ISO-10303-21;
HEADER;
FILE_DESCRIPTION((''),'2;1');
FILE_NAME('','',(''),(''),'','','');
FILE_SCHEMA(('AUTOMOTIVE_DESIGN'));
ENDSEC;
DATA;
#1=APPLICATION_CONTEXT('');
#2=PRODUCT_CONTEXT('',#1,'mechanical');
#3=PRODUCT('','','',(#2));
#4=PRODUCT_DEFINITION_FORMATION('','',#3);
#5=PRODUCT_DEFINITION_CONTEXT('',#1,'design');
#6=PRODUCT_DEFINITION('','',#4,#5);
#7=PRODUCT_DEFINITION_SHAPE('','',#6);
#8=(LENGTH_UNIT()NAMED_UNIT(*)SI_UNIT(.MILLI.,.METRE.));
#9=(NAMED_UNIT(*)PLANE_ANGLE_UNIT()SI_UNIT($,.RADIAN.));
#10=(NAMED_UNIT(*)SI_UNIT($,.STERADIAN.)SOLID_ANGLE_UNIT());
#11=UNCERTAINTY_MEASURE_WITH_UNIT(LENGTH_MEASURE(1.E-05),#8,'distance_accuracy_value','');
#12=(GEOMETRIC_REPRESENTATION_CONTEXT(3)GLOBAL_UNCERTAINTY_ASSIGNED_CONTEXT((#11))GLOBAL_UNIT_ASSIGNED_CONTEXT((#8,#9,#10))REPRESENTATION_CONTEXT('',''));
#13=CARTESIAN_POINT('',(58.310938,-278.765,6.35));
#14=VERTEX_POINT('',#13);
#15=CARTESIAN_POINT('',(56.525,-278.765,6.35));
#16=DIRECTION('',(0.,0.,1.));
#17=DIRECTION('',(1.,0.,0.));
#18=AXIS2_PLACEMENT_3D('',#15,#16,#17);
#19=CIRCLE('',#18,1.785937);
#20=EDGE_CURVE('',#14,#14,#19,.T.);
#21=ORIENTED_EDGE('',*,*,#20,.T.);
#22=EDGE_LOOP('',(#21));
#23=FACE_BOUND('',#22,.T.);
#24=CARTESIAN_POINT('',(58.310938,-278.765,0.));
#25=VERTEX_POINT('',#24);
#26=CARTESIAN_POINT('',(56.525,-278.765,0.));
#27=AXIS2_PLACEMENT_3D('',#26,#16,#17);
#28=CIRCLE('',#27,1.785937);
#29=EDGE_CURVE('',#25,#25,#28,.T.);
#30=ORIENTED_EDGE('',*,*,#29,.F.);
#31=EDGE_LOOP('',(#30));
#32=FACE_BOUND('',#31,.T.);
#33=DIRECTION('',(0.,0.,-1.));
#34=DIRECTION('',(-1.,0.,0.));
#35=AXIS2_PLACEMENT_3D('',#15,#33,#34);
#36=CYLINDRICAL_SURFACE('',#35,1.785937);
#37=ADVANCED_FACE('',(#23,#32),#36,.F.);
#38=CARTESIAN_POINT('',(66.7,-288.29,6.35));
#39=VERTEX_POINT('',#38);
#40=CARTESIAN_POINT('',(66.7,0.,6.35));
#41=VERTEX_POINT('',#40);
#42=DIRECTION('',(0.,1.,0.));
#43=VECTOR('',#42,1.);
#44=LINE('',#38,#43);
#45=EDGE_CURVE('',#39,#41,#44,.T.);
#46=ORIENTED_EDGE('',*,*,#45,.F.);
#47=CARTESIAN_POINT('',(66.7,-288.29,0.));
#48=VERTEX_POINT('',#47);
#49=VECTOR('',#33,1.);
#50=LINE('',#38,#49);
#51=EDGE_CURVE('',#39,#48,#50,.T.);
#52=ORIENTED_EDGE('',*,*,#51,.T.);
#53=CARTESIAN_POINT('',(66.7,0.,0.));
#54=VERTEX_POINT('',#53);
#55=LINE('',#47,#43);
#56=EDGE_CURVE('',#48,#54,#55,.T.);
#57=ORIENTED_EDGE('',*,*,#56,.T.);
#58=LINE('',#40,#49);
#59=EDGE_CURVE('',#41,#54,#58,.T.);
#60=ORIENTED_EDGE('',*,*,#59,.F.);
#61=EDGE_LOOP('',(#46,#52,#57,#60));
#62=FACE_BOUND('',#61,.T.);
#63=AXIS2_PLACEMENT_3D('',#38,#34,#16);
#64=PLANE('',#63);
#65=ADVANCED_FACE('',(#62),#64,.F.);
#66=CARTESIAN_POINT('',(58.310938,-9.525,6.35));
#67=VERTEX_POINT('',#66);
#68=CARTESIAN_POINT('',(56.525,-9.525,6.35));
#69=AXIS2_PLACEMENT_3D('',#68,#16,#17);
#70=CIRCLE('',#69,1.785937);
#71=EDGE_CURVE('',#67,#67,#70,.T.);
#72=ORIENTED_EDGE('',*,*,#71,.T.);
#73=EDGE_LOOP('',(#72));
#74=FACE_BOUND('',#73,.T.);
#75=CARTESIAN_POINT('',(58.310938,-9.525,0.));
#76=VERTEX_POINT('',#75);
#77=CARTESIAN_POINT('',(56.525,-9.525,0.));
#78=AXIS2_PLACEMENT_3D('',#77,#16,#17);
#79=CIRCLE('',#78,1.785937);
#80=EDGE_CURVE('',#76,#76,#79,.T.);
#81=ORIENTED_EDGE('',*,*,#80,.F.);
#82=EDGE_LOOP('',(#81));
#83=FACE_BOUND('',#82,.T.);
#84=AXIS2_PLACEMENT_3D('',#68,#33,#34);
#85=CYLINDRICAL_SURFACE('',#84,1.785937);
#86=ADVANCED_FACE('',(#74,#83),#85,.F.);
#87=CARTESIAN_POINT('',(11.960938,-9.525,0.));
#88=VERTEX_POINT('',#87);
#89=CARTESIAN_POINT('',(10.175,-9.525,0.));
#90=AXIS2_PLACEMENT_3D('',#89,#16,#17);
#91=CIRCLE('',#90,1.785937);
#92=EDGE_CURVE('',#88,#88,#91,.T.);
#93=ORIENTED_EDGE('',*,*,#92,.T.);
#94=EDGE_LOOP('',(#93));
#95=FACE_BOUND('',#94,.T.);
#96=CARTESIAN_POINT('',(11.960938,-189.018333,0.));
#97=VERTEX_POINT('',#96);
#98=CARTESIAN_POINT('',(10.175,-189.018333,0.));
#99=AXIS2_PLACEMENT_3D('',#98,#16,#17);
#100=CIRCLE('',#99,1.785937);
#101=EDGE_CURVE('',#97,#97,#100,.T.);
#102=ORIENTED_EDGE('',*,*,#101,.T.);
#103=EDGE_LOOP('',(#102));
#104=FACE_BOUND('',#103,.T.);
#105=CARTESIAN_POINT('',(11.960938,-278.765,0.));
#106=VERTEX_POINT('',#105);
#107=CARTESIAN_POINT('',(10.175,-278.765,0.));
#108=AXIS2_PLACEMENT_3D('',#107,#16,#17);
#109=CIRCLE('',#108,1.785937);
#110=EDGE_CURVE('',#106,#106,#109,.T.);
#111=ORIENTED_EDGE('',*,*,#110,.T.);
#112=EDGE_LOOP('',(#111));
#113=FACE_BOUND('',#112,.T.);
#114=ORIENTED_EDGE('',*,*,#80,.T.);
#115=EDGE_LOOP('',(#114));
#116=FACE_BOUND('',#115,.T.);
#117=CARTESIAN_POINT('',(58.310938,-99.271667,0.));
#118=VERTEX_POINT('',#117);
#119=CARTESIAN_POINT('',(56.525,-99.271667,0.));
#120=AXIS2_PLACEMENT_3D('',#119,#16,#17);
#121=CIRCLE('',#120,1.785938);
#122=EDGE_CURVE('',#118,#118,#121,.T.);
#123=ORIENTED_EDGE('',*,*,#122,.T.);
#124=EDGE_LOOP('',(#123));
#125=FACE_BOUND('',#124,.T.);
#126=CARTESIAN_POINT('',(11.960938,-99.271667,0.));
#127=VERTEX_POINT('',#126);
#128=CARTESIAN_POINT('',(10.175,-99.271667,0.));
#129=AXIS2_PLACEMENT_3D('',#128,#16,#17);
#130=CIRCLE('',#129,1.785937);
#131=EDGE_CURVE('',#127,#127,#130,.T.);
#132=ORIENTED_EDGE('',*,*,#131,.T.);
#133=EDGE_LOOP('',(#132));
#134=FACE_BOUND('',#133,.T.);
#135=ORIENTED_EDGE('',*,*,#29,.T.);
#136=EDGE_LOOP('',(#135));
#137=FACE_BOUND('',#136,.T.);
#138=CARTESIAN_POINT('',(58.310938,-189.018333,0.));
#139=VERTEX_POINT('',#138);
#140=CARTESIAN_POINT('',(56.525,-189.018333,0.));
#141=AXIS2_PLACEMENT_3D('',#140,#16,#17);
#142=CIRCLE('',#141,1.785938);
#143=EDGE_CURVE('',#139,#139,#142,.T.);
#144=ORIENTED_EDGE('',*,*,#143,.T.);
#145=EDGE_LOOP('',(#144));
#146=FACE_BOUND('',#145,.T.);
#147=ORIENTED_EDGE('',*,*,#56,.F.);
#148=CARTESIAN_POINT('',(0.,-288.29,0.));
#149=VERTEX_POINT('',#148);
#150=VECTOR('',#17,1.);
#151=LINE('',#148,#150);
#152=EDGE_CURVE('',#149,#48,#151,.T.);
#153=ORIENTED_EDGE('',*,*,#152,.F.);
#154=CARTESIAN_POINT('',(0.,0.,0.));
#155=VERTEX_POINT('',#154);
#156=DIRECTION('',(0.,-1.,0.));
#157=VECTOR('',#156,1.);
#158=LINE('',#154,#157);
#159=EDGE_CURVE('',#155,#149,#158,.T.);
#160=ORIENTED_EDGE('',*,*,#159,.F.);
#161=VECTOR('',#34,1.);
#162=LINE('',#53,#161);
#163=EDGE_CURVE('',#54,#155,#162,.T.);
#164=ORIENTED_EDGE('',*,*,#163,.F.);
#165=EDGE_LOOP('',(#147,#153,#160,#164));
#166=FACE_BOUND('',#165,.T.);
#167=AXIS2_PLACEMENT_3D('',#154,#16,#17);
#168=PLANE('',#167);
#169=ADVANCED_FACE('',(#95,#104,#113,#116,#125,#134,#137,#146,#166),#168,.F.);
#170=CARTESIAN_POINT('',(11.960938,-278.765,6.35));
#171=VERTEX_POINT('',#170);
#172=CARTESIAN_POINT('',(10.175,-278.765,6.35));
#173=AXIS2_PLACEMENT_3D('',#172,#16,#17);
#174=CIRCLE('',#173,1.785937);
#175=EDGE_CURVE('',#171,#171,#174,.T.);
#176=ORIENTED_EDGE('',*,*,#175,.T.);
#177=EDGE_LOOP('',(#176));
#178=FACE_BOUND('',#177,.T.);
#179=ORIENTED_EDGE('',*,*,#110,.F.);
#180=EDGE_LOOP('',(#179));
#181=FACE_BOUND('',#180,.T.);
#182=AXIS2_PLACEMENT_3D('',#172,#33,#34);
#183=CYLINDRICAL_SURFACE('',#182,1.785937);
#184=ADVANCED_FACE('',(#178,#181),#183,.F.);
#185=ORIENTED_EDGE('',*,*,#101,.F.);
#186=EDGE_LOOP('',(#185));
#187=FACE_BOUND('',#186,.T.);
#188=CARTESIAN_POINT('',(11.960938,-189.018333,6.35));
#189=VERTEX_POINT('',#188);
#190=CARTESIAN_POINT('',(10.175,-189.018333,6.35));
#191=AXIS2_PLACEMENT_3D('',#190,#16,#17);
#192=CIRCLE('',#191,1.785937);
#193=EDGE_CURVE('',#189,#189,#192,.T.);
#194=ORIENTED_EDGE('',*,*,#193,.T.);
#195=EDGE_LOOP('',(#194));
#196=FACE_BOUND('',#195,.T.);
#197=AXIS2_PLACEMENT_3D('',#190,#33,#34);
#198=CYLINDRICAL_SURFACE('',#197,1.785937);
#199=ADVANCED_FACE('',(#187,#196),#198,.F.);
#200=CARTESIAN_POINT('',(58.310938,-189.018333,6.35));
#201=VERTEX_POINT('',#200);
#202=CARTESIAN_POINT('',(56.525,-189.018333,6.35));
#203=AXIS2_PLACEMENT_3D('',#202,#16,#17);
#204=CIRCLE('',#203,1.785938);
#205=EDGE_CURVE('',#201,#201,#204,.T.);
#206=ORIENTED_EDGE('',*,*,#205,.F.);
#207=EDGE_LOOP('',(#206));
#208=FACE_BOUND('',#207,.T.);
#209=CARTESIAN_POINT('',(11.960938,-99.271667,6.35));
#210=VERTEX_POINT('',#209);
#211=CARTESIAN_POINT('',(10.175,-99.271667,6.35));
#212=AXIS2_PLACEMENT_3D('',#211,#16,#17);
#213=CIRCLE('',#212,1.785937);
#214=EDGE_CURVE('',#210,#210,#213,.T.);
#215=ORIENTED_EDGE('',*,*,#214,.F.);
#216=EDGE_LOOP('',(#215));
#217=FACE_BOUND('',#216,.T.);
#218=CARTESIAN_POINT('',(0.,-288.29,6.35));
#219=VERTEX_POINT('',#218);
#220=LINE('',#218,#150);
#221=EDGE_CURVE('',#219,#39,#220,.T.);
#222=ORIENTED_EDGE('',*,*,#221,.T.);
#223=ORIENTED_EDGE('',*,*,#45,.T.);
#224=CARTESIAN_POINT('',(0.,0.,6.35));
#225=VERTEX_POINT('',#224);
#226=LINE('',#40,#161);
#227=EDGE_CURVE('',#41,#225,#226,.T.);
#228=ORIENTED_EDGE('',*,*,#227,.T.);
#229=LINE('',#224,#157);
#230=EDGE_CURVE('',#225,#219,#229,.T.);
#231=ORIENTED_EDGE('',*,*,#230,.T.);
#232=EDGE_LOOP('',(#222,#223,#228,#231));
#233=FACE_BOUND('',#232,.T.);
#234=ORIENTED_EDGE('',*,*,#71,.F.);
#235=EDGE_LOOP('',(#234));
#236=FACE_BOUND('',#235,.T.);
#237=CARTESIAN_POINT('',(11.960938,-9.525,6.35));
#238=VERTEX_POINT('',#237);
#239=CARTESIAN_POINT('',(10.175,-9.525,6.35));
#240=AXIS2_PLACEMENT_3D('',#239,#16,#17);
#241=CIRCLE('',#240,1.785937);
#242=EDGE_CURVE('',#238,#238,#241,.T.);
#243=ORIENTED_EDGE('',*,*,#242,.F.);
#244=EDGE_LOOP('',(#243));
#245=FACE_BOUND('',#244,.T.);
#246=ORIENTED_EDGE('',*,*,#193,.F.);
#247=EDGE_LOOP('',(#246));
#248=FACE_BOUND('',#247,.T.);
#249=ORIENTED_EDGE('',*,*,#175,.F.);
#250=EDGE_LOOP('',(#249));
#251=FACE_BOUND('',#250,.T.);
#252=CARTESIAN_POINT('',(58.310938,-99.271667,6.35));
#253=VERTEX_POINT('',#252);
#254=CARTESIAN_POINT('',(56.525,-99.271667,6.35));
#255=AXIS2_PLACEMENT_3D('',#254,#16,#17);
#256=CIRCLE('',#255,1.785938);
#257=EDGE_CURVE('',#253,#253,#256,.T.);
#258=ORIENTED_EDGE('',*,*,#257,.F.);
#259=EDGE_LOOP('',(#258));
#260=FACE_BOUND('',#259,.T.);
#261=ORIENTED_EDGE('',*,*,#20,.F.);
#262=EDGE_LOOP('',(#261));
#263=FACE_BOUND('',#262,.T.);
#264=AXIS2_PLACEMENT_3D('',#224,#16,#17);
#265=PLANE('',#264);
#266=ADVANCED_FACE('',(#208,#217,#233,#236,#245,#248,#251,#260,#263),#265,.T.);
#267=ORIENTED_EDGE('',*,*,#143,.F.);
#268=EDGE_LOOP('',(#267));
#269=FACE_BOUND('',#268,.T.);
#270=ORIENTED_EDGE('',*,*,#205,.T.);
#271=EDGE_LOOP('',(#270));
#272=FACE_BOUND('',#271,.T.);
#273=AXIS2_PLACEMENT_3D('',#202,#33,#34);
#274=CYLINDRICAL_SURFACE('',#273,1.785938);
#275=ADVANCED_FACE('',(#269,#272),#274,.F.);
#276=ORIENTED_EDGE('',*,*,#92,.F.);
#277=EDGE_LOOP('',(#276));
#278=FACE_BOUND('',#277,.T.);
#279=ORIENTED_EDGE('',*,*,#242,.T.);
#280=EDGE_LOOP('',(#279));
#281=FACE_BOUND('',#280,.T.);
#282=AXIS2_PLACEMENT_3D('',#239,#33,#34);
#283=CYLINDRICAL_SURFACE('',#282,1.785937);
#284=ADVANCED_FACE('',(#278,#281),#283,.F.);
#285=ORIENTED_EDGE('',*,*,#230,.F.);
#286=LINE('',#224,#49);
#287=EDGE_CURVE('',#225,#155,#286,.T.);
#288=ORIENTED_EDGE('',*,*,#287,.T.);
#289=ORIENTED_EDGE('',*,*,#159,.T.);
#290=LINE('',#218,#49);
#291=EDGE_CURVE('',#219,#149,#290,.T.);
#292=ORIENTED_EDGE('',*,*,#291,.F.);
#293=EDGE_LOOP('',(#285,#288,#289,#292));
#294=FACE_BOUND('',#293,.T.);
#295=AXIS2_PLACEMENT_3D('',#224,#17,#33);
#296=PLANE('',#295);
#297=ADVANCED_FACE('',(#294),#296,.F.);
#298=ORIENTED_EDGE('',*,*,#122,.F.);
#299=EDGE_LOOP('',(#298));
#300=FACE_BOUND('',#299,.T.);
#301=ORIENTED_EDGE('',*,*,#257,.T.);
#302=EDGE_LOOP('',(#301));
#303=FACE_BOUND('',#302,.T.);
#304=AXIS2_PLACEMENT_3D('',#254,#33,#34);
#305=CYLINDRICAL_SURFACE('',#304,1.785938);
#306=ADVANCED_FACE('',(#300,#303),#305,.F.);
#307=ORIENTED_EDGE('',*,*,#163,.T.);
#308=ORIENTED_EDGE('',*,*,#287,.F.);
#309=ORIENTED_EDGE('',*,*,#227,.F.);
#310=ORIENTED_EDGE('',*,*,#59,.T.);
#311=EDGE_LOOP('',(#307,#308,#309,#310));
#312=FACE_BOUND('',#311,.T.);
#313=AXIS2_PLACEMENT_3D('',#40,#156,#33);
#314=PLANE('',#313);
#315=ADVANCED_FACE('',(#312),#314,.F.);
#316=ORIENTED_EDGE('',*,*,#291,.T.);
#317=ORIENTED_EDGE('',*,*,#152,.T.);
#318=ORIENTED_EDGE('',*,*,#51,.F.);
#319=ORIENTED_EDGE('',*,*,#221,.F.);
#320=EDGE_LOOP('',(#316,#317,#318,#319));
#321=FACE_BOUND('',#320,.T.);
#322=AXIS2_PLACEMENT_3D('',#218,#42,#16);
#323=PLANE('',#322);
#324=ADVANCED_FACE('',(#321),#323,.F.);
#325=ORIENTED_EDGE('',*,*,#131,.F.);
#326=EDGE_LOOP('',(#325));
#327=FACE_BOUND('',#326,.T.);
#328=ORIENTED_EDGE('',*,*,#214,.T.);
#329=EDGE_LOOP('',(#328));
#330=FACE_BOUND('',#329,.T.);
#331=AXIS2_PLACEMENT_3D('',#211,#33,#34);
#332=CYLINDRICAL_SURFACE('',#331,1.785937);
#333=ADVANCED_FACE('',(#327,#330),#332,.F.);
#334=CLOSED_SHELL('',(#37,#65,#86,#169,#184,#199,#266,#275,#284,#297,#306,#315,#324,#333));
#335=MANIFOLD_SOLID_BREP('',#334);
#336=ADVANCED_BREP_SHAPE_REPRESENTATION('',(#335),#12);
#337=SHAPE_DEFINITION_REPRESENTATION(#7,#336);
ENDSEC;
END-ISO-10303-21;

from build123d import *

# Parameters (mm, degrees)
SKETCH2_W           = 66.7
SKETCH2_H           = 288.29
SKETCH2_R           = 1.7859375
BOSS_EXTRUDE2_DEPTH = 6.35


with BuildPart() as part:
    # Sketch2 → Boss-Extrude2 (new body)
    with BuildSketch(Plane.XY):
        with Locations((33.35, -144.145)):
            Rectangle(SKETCH2_W, SKETCH2_H)
        with Locations((10.175, -9.525)):
            Circle(SKETCH2_R, mode=Mode.SUBTRACT)
        with Locations((56.525, -9.525)):
            Circle(SKETCH2_R, mode=Mode.SUBTRACT)
        with Locations((56.525, -99.271666667)):
            Circle(SKETCH2_R, mode=Mode.SUBTRACT)
        with Locations((10.175, -99.271666667)):
            Circle(SKETCH2_R, mode=Mode.SUBTRACT)
        with Locations((10.175, -278.765)):
            Circle(SKETCH2_R, mode=Mode.SUBTRACT)
        with Locations((56.525, -278.765)):
            Circle(SKETCH2_R, mode=Mode.SUBTRACT)
        with Locations((10.175, -189.018333333)):
            Circle(SKETCH2_R, mode=Mode.SUBTRACT)
        with Locations((56.525, -189.018333333)):
            Circle(SKETCH2_R, mode=Mode.SUBTRACT)
    extrude(amount=BOSS_EXTRUDE2_DEPTH)


solid = part.part
